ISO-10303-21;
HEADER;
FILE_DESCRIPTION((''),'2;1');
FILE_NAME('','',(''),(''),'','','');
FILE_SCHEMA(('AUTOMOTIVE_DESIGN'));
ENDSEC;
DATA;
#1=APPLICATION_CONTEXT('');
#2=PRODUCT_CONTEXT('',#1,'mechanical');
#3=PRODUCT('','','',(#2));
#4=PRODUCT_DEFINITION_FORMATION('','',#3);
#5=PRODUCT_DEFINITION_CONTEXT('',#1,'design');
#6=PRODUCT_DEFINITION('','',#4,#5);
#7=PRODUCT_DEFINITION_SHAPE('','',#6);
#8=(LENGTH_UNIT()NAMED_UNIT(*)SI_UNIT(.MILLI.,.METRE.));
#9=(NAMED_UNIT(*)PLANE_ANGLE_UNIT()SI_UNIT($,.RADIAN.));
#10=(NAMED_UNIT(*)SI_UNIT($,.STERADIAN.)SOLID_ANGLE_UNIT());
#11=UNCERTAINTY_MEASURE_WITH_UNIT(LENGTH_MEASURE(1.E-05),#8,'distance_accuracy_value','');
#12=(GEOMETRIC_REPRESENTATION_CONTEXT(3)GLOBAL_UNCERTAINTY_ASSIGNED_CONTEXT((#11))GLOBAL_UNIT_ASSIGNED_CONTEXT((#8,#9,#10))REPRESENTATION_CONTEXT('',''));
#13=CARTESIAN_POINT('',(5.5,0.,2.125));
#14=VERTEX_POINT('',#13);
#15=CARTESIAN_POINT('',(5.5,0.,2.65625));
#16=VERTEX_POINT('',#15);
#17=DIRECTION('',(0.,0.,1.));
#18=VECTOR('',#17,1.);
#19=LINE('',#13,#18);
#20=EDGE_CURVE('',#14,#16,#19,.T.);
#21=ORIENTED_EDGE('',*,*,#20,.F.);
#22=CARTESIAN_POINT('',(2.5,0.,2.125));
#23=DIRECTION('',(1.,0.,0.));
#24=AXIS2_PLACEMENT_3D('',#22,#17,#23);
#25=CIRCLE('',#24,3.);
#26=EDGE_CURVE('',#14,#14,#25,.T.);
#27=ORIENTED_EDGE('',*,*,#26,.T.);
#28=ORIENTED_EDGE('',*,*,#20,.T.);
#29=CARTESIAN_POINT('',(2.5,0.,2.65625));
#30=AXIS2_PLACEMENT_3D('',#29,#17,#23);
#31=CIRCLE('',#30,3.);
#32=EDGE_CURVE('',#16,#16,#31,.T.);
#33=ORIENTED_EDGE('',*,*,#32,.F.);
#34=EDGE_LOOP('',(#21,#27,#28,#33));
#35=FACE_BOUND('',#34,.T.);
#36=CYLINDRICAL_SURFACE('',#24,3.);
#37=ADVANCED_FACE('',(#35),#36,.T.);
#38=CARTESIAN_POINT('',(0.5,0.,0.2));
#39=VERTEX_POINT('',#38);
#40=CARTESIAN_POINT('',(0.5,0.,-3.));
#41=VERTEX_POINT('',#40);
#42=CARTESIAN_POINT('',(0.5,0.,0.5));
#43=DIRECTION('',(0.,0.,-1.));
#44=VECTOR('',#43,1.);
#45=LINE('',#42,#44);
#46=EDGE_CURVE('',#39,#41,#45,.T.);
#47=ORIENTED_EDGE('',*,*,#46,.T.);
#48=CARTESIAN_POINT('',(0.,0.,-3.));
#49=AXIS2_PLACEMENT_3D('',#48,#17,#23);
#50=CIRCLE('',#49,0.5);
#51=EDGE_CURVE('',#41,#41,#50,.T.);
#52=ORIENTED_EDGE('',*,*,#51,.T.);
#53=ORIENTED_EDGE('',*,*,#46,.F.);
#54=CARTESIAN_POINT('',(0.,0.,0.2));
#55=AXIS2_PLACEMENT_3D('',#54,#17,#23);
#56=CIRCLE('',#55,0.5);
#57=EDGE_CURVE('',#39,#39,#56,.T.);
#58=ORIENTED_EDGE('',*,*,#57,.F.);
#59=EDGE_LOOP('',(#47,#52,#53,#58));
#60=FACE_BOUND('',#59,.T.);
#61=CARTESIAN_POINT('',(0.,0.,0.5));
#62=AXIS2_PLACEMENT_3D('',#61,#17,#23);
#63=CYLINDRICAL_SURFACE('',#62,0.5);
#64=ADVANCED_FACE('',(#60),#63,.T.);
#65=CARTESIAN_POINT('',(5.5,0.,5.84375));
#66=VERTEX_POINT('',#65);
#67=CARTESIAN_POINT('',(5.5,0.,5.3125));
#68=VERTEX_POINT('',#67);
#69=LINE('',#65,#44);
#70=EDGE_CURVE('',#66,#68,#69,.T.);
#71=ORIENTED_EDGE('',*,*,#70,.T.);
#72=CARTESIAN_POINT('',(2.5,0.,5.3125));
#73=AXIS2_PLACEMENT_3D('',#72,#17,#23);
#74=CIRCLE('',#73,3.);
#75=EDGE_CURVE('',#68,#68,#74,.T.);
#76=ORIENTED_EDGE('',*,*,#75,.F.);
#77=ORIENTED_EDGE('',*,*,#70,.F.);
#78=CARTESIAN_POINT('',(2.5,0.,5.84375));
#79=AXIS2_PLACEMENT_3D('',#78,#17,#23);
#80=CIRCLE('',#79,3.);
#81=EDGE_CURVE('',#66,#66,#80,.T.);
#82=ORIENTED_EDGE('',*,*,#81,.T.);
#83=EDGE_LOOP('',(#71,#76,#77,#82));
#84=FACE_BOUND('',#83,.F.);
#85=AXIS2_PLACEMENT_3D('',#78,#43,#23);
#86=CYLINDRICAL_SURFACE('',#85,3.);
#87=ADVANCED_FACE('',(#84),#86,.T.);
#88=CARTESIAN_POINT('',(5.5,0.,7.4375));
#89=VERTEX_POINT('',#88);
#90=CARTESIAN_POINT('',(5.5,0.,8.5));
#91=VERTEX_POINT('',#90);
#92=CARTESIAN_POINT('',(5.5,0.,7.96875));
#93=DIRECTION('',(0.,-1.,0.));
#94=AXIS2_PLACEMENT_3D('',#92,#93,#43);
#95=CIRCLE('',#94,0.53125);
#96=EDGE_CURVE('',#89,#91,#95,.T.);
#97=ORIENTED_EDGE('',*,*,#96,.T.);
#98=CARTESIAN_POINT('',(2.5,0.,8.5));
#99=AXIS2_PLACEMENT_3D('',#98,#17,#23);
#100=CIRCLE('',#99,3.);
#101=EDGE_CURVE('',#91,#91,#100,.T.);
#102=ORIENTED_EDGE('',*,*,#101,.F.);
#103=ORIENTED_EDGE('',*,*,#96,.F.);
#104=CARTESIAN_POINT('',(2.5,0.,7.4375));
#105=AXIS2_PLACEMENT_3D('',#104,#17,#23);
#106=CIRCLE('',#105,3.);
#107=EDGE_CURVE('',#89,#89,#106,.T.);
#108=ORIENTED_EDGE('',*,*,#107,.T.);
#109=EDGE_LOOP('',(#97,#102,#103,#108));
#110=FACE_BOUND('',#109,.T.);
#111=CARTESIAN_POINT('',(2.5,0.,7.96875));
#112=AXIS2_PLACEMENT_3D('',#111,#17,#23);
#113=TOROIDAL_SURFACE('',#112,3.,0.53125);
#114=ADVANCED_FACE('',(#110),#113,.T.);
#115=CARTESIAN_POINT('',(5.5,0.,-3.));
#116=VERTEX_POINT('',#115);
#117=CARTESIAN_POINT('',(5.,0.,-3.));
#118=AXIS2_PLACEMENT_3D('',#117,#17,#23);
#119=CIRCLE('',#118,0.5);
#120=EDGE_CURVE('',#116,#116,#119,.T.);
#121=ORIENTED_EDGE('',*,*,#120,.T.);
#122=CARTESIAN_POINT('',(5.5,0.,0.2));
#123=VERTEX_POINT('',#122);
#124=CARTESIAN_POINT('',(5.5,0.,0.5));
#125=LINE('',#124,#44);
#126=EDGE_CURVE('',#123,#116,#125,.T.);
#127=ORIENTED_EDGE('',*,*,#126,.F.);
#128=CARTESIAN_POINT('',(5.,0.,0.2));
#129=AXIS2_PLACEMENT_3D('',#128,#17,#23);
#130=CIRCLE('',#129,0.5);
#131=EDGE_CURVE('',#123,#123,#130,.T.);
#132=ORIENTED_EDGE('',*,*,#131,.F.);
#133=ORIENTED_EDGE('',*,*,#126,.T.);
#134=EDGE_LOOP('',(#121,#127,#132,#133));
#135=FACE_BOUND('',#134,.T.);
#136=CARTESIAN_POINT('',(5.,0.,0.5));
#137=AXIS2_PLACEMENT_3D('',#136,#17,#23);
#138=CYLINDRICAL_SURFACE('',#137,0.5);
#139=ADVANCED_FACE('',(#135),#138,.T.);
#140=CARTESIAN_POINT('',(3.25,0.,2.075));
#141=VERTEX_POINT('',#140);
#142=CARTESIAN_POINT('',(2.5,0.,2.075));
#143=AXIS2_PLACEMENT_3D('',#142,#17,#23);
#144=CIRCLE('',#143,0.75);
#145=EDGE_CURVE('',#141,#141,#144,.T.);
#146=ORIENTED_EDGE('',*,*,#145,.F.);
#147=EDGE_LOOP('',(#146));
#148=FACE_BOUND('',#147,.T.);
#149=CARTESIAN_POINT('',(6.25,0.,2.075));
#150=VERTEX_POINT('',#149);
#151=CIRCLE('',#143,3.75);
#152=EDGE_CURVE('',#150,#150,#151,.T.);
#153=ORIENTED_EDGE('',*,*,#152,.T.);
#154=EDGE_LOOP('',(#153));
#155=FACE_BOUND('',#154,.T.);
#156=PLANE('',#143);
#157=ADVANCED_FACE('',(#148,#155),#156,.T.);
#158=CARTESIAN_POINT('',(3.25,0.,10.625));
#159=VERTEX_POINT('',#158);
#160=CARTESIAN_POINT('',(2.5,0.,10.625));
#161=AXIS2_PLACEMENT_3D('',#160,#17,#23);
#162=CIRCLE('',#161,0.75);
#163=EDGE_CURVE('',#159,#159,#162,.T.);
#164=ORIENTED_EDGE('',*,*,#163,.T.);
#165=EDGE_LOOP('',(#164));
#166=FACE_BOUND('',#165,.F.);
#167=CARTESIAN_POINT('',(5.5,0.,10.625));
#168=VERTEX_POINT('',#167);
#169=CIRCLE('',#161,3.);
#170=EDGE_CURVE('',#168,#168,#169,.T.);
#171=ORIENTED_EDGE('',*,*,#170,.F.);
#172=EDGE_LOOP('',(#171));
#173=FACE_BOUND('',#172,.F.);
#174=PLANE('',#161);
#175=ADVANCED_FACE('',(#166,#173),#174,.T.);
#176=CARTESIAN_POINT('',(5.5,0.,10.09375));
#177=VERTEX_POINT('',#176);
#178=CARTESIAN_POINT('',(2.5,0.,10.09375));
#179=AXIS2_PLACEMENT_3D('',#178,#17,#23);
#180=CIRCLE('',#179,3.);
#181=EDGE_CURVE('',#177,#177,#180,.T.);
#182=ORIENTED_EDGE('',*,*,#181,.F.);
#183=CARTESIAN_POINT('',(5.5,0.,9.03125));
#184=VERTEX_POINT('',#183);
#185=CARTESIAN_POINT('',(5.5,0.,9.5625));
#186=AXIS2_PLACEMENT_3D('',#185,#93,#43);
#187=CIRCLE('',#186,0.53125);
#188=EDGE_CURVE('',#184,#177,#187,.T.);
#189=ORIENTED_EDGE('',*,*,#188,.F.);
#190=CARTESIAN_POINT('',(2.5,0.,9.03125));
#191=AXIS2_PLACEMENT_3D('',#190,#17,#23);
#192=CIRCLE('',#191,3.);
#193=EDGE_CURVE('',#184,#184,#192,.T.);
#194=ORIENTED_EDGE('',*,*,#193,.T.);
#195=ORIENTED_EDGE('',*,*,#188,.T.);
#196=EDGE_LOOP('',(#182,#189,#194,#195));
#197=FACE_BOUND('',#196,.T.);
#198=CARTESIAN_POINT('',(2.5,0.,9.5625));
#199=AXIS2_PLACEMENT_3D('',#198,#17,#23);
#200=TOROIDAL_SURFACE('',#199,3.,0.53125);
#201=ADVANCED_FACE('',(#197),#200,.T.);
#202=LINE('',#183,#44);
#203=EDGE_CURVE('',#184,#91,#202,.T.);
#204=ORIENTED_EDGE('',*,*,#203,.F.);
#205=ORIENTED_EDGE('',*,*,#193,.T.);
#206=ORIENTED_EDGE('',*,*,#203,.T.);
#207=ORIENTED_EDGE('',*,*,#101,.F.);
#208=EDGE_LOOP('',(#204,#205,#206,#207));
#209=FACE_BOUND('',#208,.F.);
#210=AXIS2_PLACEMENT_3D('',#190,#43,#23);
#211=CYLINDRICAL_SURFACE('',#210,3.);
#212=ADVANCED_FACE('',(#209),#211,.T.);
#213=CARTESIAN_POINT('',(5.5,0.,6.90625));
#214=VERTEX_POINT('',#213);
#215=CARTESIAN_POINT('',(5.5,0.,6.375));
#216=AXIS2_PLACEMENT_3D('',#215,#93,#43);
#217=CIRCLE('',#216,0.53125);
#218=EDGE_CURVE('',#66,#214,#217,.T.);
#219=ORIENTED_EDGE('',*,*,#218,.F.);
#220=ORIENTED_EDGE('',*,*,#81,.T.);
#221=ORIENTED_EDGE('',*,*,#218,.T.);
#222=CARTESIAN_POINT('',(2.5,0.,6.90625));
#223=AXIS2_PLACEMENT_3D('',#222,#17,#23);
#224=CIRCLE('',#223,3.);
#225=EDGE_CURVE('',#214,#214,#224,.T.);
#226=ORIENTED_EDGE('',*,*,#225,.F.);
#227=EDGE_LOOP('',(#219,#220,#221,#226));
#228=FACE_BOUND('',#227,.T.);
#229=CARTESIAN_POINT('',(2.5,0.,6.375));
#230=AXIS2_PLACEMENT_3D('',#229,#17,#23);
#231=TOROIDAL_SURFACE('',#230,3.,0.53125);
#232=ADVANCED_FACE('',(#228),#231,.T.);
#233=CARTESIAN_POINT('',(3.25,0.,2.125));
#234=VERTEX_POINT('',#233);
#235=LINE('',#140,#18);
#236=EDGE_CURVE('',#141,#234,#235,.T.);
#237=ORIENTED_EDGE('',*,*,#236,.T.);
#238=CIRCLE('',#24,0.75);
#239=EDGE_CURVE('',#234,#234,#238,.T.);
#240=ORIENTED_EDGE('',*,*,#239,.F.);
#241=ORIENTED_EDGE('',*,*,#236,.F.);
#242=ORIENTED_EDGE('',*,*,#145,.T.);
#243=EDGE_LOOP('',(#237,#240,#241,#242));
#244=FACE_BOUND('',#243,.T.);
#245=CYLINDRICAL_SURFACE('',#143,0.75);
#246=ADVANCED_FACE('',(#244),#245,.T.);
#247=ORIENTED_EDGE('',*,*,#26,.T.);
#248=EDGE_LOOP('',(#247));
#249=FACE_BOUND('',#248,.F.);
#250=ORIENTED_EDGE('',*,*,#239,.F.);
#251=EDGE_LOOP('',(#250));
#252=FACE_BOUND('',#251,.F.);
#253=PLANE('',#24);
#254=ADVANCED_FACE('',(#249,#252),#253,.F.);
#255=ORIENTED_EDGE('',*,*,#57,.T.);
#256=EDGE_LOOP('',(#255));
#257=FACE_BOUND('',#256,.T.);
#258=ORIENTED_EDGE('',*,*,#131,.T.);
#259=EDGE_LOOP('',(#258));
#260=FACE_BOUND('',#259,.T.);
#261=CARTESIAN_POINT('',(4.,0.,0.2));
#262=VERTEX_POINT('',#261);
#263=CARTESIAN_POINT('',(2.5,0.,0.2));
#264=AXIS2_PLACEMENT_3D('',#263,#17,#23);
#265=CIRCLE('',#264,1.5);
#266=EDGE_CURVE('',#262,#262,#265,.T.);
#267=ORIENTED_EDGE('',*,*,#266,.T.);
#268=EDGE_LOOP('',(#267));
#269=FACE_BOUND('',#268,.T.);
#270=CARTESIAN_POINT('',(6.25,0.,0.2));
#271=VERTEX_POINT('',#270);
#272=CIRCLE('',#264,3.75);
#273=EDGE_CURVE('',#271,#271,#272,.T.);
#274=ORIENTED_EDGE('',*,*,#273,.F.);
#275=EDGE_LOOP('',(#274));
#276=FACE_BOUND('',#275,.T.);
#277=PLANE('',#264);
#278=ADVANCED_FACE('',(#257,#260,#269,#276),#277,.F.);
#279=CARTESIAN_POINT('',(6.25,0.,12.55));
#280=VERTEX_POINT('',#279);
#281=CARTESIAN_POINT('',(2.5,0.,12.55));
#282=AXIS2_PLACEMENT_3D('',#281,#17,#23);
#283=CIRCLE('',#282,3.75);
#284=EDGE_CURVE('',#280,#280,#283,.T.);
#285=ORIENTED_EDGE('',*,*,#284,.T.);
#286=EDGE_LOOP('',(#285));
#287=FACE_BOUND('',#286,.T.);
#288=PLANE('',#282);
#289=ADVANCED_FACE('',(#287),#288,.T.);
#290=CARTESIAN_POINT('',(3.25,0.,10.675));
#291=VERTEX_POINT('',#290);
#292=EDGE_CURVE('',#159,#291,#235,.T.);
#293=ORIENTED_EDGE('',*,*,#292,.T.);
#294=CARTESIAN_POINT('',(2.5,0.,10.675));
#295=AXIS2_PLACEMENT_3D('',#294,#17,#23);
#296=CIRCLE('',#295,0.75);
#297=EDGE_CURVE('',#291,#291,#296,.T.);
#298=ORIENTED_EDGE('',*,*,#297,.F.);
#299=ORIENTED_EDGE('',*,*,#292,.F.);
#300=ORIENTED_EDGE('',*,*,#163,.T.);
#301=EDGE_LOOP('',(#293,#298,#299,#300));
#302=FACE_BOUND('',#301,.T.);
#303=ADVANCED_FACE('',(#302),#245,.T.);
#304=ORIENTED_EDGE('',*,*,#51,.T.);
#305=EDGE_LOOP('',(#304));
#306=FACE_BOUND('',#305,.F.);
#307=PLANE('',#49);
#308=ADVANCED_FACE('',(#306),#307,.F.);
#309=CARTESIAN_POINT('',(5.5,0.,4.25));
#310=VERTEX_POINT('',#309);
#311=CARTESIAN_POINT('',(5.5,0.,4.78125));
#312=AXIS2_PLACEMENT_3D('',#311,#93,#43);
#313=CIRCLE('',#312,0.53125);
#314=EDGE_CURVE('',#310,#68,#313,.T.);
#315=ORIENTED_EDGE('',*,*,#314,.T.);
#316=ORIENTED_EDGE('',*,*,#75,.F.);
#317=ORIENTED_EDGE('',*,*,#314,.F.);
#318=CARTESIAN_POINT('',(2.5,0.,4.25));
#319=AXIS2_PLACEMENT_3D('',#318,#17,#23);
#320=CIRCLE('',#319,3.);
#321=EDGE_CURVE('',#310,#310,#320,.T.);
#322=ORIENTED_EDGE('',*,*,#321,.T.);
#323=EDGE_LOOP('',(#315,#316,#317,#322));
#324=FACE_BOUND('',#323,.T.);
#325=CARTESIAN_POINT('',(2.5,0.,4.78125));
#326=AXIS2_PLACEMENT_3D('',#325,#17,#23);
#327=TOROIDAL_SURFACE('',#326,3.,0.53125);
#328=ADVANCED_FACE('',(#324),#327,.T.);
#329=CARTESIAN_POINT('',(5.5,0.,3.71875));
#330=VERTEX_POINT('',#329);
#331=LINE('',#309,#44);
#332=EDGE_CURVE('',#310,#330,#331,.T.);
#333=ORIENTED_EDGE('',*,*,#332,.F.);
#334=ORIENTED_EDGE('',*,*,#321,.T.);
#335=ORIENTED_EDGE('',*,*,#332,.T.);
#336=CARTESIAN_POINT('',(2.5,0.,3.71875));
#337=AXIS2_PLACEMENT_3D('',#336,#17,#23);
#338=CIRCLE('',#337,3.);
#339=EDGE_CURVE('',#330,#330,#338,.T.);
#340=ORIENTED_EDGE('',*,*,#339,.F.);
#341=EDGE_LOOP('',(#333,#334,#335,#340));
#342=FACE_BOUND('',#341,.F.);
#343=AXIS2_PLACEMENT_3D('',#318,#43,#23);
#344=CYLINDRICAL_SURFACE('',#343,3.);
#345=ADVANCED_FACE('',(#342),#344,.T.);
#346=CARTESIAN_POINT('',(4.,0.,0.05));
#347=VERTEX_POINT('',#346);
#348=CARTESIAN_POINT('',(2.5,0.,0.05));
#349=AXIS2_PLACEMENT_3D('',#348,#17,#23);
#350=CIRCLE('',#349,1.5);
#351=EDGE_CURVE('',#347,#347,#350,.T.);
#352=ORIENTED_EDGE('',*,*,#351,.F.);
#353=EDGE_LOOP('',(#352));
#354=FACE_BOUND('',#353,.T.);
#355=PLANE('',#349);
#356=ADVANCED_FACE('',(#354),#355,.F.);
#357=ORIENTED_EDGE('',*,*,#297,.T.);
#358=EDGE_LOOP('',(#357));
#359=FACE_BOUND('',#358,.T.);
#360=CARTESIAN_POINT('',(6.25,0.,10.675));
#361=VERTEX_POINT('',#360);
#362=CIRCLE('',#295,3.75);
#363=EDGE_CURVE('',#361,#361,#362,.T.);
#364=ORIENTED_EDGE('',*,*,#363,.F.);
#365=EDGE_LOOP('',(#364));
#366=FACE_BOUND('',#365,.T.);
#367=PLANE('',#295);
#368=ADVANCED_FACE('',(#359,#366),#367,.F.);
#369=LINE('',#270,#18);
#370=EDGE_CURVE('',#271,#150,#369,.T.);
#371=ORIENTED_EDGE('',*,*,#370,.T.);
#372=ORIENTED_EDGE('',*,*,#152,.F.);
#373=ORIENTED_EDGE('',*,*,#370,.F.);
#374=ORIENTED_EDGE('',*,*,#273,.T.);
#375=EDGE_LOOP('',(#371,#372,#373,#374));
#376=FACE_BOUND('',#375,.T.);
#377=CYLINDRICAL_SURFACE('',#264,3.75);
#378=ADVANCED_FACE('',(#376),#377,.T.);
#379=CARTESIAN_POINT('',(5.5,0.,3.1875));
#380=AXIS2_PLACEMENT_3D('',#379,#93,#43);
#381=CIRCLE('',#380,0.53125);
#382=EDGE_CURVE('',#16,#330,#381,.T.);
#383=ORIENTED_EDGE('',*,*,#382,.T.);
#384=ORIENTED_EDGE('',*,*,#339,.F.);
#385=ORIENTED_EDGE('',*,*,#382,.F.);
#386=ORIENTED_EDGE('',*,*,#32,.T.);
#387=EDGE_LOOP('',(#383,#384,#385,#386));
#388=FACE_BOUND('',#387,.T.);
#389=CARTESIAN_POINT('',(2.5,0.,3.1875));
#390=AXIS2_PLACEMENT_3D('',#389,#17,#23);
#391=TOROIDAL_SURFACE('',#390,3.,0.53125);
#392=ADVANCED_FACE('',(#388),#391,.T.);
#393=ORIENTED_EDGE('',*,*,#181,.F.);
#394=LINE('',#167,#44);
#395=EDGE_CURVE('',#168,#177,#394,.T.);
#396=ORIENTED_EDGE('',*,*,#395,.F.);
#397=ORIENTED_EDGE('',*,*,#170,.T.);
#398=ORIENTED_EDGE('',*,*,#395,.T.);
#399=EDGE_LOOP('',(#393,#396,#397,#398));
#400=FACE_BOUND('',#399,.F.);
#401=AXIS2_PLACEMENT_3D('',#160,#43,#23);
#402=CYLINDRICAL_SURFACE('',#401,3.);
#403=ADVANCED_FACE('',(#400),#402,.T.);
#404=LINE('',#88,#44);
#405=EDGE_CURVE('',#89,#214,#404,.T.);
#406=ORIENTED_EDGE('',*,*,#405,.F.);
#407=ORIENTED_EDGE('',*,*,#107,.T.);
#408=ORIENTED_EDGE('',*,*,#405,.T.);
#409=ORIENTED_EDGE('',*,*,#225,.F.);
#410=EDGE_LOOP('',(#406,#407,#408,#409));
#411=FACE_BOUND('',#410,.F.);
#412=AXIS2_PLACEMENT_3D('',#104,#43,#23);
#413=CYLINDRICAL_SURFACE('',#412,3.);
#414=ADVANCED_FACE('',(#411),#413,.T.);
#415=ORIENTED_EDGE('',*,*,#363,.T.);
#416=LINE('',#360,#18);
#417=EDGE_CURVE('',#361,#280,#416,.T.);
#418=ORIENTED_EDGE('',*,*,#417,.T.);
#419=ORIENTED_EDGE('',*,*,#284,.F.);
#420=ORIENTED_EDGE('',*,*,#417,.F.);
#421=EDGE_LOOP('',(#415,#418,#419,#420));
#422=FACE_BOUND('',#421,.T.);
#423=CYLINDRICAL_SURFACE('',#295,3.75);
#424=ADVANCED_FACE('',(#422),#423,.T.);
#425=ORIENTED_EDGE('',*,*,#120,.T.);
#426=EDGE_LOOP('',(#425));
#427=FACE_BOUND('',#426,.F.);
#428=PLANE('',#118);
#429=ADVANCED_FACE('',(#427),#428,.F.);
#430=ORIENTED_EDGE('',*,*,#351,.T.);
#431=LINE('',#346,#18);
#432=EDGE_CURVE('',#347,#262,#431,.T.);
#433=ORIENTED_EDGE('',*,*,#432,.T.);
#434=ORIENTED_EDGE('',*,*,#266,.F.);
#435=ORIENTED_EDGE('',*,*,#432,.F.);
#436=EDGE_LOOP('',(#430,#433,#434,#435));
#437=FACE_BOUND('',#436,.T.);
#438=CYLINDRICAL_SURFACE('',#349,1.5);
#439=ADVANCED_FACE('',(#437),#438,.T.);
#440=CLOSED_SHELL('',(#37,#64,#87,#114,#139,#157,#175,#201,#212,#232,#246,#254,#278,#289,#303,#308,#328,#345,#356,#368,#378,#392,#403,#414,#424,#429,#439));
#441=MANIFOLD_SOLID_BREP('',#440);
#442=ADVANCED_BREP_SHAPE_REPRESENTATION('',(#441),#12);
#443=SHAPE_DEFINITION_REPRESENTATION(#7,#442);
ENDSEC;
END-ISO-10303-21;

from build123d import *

# Parameters (mm, degrees)
SKETCH001_R  = 0.5
PAD001_DEPTH = 3.5


with BuildPart() as revolution:
    # Sketch → Revolution (revolve)
    with BuildSketch(Plane(origin=(2.5, 0, 0), x_dir=(1, 0, 0), z_dir=(0, -1, 0))):
        Polygon((0, 0.05), (1.5, 0.05), (1.5, 0.2), (3.75, 0.2), (3.75, 2.075), (0.75, 2.075), (0.75, 10.675), (3.75, 10.675), (3.75, 12.55), (0, 12.55), align=None)
    revolve(axis=Axis((2.5, 0, 0), (0, 0, 1)))


with BuildPart() as pad001:
    # Sketch001 → Pad001 (new body)
    with BuildSketch(Plane.XY.offset(0.5)):
        Circle(SKETCH001_R)
        with Locations((5, 0)):
            Circle(SKETCH001_R)
    extrude(amount=-PAD001_DEPTH)


with BuildPart() as l_radial_d7_5mm_p5_00mm_fastron_07p:
    # Sketch002 → Revolution001 (revolve)
    with BuildSketch(Plane(origin=(2.5, 0, 0), x_dir=(1, 0, 0), z_dir=(0, -1, 0))):
        with BuildLine():
            Line((3, 2.125), (0.75, 2.125))
            Line((0.75, 2.125), (0.75, 10.625))
            Line((0.75, 10.625), (3, 10.625))
            Line((3, 10.625), (3, 10.09375))
            ThreePointArc((3, 9.03125), (3.53125, 9.5625), (3, 10.09375))
            Line((3, 9.03125), (3, 8.5))
            ThreePointArc((3, 7.4375), (3.53125, 7.96875), (3, 8.5))
            Line((3, 7.4375), (3, 6.90625))
            ThreePointArc((3, 5.84375), (3.53125, 6.375), (3, 6.90625))
            Line((3, 5.84375), (3, 5.3125))
            ThreePointArc((3, 4.25), (3.53125, 4.78125), (3, 5.3125))
            Line((3, 4.25), (3, 3.71875))
            ThreePointArc((3, 2.65625), (3.53125, 3.1875), (3, 3.71875))
            Line((3, 2.125), (3, 2.65625))
        make_face()
    revolve(axis=Axis((2.5, 0, 0), (0, 0, 1)))

    # Revolution001_mp_cp: union Revolution, Pad001
    add(revolution.part)
    add(pad001.part)


solid = l_radial_d7_5mm_p5_00mm_fastron_07p.part
